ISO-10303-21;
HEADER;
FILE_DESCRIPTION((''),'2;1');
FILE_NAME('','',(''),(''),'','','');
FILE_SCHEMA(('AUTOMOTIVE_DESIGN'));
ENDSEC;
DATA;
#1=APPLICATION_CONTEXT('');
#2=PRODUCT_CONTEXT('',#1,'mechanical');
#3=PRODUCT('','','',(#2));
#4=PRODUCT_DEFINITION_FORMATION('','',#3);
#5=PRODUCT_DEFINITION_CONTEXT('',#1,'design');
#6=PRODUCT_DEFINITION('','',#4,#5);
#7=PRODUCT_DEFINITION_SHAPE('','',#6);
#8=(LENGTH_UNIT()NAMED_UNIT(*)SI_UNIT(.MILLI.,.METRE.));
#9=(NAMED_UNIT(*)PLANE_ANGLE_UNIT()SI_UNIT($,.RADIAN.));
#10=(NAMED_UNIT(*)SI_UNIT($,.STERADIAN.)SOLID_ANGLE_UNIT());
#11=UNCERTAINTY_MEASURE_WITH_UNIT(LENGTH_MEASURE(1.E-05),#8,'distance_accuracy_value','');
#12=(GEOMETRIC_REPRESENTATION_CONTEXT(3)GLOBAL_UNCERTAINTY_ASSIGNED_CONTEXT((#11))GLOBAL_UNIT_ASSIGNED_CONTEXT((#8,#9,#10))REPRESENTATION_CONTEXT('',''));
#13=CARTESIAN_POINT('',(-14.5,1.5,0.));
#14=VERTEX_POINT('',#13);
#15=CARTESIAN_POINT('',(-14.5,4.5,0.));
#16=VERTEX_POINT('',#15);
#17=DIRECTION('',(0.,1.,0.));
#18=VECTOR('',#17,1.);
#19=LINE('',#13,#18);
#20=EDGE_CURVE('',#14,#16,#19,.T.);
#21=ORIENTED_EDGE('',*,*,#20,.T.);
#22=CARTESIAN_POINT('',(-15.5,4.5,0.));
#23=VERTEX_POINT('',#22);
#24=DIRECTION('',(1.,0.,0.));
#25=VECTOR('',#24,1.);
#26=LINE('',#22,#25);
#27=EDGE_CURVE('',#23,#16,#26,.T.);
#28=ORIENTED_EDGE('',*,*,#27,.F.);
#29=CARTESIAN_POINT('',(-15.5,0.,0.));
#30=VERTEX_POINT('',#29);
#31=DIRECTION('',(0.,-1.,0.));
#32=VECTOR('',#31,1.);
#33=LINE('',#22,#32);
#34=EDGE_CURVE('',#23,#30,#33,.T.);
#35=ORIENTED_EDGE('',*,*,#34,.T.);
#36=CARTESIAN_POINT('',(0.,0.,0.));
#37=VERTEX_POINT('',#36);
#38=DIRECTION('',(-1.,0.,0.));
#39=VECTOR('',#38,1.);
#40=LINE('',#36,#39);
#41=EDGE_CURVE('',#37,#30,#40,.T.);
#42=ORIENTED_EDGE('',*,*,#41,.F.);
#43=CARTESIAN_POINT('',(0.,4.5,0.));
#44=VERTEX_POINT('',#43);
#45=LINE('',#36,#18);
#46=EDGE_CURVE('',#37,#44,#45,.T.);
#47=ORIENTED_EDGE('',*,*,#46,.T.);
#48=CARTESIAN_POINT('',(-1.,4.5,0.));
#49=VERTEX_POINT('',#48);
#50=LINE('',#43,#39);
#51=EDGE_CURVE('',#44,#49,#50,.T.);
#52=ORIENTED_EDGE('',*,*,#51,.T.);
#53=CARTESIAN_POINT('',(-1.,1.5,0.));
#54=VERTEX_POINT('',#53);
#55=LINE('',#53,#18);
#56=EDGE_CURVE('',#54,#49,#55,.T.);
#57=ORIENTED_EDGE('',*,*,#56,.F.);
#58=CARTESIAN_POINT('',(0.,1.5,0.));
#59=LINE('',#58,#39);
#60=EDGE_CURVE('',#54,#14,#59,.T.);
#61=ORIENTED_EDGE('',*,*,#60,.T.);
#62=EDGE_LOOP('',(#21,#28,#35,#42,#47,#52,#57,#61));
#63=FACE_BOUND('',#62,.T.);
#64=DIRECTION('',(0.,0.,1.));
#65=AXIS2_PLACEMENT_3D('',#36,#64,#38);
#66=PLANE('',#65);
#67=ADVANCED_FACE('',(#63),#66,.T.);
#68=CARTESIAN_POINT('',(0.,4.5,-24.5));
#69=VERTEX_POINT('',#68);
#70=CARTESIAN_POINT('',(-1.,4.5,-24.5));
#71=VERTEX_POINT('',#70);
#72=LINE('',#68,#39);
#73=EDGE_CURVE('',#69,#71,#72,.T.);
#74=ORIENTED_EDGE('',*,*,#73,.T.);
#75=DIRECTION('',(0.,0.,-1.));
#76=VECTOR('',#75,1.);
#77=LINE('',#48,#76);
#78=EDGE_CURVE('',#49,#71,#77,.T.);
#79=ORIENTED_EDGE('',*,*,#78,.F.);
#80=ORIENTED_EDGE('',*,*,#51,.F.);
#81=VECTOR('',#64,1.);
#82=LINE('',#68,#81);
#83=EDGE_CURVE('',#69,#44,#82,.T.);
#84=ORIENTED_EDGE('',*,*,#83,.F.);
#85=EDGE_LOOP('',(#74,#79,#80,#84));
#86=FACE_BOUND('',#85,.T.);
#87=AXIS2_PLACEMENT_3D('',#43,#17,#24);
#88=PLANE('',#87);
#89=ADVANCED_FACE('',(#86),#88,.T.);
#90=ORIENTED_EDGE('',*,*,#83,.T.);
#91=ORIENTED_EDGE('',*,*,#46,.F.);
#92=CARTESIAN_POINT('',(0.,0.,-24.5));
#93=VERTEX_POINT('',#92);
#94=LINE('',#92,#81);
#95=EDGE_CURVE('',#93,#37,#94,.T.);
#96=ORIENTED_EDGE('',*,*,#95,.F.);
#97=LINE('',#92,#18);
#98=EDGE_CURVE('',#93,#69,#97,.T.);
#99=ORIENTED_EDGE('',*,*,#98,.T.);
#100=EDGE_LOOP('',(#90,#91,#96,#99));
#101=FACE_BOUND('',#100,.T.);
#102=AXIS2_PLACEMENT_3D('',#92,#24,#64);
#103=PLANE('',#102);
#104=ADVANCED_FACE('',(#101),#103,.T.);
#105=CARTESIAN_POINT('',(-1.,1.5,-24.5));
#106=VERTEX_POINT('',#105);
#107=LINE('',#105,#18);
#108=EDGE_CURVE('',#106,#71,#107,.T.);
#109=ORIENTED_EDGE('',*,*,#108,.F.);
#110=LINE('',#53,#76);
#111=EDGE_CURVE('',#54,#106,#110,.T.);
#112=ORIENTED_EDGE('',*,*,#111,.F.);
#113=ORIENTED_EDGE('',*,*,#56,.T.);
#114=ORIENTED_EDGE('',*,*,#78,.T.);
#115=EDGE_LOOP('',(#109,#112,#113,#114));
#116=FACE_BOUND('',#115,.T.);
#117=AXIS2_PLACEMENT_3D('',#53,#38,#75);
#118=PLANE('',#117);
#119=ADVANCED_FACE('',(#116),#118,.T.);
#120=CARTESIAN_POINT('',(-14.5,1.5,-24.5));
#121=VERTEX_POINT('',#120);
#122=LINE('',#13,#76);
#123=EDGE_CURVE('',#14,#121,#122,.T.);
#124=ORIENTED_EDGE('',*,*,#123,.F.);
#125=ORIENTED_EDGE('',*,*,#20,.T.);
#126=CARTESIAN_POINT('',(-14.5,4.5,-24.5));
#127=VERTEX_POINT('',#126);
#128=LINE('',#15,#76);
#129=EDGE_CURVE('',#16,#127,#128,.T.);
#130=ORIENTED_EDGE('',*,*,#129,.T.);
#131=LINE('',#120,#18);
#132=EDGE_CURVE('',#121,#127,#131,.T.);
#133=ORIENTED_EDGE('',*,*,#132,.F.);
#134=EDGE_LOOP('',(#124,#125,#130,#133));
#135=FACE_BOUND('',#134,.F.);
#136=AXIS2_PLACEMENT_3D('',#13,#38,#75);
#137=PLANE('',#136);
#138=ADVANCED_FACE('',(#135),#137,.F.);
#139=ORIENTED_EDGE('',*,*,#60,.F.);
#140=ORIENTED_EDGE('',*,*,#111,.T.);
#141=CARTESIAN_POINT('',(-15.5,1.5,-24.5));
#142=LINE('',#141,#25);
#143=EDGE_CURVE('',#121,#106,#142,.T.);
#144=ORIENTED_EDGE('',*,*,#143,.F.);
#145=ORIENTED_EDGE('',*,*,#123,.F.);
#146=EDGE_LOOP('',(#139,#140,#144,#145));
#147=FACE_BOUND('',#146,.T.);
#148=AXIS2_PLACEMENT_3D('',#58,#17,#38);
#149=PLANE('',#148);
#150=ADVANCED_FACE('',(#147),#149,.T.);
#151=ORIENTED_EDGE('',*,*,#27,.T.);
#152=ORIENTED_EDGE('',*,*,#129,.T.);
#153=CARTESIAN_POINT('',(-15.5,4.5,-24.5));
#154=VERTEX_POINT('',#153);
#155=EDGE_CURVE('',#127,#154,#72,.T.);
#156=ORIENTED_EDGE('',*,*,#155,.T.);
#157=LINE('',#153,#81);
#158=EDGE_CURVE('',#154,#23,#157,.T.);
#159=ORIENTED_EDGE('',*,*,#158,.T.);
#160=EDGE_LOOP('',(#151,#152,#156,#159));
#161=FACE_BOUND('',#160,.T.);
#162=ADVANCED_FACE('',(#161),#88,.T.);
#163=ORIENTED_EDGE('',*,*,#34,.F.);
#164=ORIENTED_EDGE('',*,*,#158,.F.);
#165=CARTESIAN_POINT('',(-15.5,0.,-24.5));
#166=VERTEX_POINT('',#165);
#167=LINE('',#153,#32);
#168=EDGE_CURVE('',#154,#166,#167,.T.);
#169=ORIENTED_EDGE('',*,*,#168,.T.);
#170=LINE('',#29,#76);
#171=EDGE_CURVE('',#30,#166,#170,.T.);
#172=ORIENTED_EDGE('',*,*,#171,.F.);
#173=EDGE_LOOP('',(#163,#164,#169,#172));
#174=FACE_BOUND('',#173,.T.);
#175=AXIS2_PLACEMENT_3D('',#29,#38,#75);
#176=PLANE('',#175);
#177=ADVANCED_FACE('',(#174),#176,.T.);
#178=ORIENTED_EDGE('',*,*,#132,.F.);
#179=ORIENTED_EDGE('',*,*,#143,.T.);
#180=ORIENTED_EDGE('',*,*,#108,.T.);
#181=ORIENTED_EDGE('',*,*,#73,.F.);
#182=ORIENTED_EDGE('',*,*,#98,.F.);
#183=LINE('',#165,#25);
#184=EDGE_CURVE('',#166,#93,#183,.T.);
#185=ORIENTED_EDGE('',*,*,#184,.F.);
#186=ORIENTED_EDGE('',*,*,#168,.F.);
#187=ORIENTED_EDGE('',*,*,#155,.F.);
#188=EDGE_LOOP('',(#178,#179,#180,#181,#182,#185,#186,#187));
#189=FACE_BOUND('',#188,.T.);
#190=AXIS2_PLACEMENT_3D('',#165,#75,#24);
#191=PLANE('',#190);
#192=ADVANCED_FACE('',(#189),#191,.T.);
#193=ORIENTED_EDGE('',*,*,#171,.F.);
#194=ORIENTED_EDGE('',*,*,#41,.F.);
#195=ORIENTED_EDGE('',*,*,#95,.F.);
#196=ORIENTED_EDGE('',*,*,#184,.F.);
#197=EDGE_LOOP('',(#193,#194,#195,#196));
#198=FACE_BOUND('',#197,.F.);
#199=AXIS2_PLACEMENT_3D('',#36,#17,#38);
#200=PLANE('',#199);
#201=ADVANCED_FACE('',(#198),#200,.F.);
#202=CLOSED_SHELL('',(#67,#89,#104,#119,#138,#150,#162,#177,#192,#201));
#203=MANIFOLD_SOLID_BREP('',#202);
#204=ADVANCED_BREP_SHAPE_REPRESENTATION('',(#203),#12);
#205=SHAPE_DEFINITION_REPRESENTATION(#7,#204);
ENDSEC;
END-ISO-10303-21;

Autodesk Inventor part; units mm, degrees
ref_plane "YZ Plane" through (0, 0, 0) normal (1, 0, 0) x (0, 1, 0)
ref_plane "XZ Plane" through (0, 0, 0) normal (0, 1, 0) x (-1, 0, 0)
ref_plane "XY Plane" through (0, 0, 0) normal (0, 0, 1) x (1, 0, 0)
sketch "스케치1" plane through (0, 0, 0) normal (0, 1, 0) x (-1, 0, 0)
  line L0 (0, 0) -> (15.5, 0)
  line L1 (15.5, 0) -> (15.5, -24.5)
  line L2 (15.5, -24.5) -> (0, -24.5)
  line L3 (0, -24.5) -> (0, 0)
  dimension "d0" = 15.5
  dimension "d1" = 24.5
extrude "돌출1" add sketch "스케치1" along normal blind 1.5
sketch "스케치2" plane through (0, 1.5, 0) normal (0, 1, 0) x (1, 0, 0)
  line L0 (0, 24.5) -> (-15.5, 24.5) projected
  line L1 (0, 0) -> (-1, 0)
  line L2 (-1, 0) -> (-1, 24.5)
  line L3 (-1, 24.5) -> (0, 24.5)
  line L4 (0, 24.5) -> (0, 0)
  line L5 (-15.5, 0) -> (0, 0) projected
  line L6 (-15.5, 0) -> (-14.5, 0)
  line L7 (-14.5, 0) -> (-14.5, 24.5)
  line L8 (-14.5, 24.5) -> (-15.5, 24.5)
  line L9 (-15.5, 24.5) -> (-15.5, 0)
  dimension "d4" = 1
  dimension "d5" = 1
extrude "돌출2" add sketch "스케치2" along normal blind 3 contours L4 L1 L2 L0 | L7 L5 L9 L0
equation "\"d2\" = t"
equation "\"t\" = 1.5"
properties part number "Case_Side"
